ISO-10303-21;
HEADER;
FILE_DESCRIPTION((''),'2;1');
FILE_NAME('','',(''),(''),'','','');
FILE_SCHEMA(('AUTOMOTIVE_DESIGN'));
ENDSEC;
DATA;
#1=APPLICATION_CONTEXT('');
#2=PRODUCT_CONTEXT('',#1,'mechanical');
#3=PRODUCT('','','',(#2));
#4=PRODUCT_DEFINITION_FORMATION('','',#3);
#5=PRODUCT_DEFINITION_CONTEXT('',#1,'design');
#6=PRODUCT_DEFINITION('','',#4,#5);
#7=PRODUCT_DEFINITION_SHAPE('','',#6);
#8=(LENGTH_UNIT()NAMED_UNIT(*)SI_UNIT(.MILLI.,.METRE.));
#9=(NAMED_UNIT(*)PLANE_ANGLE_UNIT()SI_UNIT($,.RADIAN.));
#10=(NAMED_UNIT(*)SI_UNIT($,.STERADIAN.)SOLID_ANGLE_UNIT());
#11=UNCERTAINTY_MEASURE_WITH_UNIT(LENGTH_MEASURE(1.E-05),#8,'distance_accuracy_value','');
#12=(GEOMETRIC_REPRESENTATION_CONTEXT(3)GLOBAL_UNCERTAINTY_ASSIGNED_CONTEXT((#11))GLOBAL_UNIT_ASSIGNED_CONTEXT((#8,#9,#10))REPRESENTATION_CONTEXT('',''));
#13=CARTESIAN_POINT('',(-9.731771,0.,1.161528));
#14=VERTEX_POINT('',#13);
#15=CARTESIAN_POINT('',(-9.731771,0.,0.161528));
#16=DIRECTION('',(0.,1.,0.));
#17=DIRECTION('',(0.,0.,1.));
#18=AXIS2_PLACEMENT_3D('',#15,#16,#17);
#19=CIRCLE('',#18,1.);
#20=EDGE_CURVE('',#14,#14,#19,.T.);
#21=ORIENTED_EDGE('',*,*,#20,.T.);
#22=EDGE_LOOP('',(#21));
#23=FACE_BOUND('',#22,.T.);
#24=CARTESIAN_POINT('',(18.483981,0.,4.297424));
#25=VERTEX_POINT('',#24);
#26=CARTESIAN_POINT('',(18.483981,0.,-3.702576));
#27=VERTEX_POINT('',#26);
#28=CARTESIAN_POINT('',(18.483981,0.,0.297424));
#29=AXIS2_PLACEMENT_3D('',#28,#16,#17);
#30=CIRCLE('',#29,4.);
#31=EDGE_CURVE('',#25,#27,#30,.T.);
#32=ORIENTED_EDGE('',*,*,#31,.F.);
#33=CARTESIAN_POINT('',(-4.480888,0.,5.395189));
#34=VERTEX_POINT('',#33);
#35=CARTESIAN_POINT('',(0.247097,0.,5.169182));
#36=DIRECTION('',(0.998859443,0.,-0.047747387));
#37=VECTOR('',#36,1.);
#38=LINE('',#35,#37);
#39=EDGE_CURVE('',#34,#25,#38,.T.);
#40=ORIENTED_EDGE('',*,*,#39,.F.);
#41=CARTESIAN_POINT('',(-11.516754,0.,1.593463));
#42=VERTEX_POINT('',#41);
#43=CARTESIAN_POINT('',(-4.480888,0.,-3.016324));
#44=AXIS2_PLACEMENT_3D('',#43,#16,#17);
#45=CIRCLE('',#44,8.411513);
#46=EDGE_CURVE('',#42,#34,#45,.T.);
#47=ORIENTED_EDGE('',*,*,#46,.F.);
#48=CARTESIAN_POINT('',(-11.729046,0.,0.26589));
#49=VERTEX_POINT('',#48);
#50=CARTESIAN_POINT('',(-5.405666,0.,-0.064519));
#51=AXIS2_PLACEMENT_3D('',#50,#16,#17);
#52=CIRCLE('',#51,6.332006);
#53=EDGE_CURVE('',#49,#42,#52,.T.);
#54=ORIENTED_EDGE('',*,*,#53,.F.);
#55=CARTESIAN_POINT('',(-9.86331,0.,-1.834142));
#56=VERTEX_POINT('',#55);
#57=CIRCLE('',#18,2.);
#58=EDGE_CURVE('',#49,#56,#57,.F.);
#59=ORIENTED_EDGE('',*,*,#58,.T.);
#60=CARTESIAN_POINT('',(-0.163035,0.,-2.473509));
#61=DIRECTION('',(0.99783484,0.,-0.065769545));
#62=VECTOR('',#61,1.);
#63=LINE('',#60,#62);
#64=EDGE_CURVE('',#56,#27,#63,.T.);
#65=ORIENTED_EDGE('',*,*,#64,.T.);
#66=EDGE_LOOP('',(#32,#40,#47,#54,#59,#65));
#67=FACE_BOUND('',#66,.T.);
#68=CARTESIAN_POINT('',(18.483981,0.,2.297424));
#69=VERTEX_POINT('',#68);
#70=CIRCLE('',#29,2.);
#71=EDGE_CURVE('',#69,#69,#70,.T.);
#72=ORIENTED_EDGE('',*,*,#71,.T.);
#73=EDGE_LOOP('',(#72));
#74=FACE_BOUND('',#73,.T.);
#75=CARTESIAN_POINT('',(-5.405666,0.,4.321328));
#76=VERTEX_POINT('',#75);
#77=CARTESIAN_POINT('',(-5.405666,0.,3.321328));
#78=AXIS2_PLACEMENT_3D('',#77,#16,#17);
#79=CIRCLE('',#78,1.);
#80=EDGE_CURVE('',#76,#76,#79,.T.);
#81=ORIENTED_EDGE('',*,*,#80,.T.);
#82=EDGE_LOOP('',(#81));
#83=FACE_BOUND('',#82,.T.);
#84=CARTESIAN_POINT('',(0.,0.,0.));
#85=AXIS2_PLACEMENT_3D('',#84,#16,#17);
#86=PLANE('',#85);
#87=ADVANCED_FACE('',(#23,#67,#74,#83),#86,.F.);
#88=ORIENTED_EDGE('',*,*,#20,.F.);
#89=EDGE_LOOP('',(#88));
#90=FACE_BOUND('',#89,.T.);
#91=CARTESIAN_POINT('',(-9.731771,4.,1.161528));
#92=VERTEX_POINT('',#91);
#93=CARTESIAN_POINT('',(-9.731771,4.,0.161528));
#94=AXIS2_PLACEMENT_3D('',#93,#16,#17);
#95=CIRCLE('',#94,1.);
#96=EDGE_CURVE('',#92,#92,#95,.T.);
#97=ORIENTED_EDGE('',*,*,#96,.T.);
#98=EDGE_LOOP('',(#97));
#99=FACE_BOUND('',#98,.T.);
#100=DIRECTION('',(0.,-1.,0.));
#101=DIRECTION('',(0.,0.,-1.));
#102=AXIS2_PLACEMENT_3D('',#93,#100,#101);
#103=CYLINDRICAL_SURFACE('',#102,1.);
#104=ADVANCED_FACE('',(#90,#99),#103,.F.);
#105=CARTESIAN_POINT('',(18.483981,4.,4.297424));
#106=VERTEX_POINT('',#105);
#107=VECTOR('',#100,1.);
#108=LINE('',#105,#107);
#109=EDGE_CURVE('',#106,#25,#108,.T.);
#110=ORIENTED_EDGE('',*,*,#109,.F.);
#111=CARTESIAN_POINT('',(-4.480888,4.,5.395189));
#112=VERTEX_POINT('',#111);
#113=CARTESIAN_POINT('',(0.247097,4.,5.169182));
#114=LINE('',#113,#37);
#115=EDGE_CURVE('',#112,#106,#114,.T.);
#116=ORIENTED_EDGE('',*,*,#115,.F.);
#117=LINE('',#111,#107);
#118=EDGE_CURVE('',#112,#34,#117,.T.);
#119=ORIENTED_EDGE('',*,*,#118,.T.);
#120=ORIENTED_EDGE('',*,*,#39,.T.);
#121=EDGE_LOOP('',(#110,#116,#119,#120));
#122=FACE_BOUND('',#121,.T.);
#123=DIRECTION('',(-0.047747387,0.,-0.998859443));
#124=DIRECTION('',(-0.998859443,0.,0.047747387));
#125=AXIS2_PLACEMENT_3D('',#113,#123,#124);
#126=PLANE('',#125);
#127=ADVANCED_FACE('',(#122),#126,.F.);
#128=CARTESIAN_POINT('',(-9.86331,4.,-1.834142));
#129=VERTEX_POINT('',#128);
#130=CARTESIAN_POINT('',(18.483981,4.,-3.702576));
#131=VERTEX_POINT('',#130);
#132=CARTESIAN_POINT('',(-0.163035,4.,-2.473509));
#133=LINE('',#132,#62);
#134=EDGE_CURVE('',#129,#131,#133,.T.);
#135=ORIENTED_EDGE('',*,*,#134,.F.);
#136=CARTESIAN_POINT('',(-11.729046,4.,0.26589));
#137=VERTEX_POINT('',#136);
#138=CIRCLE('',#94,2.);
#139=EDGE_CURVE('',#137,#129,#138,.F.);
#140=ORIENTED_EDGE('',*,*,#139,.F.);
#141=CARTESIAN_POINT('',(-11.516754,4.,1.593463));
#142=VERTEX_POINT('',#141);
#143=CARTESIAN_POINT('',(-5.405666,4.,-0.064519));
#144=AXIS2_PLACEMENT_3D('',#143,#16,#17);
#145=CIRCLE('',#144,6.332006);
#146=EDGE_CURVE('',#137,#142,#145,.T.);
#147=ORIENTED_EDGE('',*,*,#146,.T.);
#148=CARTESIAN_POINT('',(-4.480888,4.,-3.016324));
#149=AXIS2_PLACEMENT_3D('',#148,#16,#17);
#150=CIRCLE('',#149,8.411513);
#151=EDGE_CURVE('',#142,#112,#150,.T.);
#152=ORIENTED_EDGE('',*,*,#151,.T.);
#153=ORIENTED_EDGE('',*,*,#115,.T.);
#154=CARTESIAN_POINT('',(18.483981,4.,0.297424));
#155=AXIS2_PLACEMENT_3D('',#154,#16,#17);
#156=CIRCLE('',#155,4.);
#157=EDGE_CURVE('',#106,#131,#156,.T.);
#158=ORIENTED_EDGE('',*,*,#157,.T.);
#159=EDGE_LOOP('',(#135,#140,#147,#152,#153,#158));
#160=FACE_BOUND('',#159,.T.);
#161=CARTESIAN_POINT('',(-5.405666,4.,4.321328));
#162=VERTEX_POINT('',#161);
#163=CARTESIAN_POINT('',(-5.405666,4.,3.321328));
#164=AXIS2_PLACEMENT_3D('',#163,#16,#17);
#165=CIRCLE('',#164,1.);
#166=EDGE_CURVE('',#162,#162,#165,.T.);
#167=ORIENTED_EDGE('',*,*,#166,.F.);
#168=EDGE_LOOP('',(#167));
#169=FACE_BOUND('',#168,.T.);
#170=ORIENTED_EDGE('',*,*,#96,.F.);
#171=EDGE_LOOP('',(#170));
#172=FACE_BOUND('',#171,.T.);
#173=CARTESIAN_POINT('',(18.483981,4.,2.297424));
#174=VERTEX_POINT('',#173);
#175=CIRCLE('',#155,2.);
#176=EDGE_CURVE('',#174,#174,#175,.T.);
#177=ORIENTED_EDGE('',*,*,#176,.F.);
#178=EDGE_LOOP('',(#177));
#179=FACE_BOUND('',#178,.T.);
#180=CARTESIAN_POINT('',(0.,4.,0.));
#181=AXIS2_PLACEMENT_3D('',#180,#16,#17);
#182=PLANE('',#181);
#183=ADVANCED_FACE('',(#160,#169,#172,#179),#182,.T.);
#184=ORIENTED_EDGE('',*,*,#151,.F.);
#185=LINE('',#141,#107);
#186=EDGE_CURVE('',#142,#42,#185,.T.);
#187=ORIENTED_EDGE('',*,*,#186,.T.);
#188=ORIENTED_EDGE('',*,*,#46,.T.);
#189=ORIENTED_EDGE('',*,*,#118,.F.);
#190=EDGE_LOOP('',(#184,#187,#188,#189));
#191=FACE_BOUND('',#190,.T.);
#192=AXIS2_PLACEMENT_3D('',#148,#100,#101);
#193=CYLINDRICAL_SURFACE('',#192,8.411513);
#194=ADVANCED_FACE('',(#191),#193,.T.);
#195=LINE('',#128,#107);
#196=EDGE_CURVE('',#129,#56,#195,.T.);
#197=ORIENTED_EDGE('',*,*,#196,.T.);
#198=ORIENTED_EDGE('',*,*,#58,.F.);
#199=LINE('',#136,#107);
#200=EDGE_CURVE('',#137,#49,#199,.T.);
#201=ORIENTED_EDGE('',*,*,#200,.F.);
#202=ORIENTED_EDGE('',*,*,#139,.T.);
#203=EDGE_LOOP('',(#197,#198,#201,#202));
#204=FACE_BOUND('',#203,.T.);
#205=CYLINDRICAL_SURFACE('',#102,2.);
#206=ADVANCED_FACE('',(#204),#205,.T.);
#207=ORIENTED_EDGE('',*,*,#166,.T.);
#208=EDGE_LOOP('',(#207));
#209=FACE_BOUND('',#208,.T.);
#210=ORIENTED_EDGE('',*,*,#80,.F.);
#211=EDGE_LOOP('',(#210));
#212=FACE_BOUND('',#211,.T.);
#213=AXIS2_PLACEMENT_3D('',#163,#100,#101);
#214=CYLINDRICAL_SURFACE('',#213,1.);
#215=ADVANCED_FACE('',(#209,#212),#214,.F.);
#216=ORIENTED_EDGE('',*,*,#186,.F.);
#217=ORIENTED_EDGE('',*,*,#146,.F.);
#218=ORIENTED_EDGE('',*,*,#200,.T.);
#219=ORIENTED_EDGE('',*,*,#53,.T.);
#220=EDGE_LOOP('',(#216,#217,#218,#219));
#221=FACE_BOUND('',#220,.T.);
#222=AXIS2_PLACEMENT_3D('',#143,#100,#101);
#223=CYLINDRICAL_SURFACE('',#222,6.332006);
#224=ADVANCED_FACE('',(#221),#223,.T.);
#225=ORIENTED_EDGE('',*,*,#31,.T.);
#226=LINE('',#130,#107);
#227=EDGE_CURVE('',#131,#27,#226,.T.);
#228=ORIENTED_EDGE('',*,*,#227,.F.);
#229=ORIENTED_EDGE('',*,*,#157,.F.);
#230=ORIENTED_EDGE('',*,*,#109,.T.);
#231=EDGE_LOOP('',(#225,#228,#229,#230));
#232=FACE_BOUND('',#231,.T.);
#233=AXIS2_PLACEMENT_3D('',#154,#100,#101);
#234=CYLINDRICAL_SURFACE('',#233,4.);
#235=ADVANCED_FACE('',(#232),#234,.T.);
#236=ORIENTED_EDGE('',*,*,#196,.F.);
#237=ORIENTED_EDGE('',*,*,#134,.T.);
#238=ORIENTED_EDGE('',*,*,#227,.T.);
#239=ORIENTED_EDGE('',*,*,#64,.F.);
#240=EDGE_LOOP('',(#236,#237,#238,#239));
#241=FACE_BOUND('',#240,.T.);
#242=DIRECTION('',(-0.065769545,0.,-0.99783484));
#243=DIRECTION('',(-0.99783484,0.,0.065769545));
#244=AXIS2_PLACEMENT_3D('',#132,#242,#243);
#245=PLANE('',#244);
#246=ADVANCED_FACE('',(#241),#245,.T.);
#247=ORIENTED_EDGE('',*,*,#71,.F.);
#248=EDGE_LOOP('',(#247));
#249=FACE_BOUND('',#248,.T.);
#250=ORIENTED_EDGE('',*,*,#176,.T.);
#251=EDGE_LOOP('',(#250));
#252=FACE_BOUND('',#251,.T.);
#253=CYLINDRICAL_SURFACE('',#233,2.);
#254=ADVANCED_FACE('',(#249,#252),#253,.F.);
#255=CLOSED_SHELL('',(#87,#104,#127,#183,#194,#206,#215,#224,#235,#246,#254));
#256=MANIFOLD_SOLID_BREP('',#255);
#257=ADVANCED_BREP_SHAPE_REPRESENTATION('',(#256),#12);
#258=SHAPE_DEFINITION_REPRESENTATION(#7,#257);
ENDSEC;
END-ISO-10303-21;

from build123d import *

# Parameters (mm, degrees)
SKETCH2_R           = 1
SKETCH2_R_2         = 2
BOSS_EXTRUDE1_DEPTH = 4


with BuildPart() as part:
    # Sketch2 → Boss-Extrude1 (new body)
    with BuildSketch(Plane(origin=(0, 0, 0), x_dir=(1, 0, 0), z_dir=(0, 1, 0))):
        with BuildLine():
            ThreePointArc((-11.516754324, -1.593462652), (-8.479529409, -4.383974358), (-4.480887679, -5.395189011))
            Line((-4.480887679, -5.395189011), (-3.678548279, -5.356835657))
            Line((-3.678548279, -5.356835657), (18.483980616, -4.297424484))
            ThreePointArc((18.483980616, -4.297424484), (22.483980616, -0.297424484), (18.483980616, 3.702575516))
            Line((18.483980616, 3.702575516), (17.958963471, 3.667970452))
            Line((17.958963471, 3.667970452), (-9.863309787, 1.834141673))
            ThreePointArc((-9.863309787, 1.834141673), (-11.226928025, 1.166818548), (-11.729046011, -0.26588951))
            ThreePointArc((-11.729046011, -0.26588951), (-11.658234536, -0.935326386), (-11.516754324, -1.593462652))
        make_face()
        with Locations(Location((-5.405665929, -3.321328339, 0), (0, 0, 270))):
            Circle(SKETCH2_R, mode=Mode.SUBTRACT)
        with Locations(Location((-9.731770698, -0.161528006, 0), (0, 0, 270))):
            Circle(SKETCH2_R, mode=Mode.SUBTRACT)
        with Locations(Location((18.483980616, -0.297424484, 0), (0, 0, 270))):
            Circle(SKETCH2_R_2, mode=Mode.SUBTRACT)
    extrude(amount=BOSS_EXTRUDE1_DEPTH)


solid = part.part
